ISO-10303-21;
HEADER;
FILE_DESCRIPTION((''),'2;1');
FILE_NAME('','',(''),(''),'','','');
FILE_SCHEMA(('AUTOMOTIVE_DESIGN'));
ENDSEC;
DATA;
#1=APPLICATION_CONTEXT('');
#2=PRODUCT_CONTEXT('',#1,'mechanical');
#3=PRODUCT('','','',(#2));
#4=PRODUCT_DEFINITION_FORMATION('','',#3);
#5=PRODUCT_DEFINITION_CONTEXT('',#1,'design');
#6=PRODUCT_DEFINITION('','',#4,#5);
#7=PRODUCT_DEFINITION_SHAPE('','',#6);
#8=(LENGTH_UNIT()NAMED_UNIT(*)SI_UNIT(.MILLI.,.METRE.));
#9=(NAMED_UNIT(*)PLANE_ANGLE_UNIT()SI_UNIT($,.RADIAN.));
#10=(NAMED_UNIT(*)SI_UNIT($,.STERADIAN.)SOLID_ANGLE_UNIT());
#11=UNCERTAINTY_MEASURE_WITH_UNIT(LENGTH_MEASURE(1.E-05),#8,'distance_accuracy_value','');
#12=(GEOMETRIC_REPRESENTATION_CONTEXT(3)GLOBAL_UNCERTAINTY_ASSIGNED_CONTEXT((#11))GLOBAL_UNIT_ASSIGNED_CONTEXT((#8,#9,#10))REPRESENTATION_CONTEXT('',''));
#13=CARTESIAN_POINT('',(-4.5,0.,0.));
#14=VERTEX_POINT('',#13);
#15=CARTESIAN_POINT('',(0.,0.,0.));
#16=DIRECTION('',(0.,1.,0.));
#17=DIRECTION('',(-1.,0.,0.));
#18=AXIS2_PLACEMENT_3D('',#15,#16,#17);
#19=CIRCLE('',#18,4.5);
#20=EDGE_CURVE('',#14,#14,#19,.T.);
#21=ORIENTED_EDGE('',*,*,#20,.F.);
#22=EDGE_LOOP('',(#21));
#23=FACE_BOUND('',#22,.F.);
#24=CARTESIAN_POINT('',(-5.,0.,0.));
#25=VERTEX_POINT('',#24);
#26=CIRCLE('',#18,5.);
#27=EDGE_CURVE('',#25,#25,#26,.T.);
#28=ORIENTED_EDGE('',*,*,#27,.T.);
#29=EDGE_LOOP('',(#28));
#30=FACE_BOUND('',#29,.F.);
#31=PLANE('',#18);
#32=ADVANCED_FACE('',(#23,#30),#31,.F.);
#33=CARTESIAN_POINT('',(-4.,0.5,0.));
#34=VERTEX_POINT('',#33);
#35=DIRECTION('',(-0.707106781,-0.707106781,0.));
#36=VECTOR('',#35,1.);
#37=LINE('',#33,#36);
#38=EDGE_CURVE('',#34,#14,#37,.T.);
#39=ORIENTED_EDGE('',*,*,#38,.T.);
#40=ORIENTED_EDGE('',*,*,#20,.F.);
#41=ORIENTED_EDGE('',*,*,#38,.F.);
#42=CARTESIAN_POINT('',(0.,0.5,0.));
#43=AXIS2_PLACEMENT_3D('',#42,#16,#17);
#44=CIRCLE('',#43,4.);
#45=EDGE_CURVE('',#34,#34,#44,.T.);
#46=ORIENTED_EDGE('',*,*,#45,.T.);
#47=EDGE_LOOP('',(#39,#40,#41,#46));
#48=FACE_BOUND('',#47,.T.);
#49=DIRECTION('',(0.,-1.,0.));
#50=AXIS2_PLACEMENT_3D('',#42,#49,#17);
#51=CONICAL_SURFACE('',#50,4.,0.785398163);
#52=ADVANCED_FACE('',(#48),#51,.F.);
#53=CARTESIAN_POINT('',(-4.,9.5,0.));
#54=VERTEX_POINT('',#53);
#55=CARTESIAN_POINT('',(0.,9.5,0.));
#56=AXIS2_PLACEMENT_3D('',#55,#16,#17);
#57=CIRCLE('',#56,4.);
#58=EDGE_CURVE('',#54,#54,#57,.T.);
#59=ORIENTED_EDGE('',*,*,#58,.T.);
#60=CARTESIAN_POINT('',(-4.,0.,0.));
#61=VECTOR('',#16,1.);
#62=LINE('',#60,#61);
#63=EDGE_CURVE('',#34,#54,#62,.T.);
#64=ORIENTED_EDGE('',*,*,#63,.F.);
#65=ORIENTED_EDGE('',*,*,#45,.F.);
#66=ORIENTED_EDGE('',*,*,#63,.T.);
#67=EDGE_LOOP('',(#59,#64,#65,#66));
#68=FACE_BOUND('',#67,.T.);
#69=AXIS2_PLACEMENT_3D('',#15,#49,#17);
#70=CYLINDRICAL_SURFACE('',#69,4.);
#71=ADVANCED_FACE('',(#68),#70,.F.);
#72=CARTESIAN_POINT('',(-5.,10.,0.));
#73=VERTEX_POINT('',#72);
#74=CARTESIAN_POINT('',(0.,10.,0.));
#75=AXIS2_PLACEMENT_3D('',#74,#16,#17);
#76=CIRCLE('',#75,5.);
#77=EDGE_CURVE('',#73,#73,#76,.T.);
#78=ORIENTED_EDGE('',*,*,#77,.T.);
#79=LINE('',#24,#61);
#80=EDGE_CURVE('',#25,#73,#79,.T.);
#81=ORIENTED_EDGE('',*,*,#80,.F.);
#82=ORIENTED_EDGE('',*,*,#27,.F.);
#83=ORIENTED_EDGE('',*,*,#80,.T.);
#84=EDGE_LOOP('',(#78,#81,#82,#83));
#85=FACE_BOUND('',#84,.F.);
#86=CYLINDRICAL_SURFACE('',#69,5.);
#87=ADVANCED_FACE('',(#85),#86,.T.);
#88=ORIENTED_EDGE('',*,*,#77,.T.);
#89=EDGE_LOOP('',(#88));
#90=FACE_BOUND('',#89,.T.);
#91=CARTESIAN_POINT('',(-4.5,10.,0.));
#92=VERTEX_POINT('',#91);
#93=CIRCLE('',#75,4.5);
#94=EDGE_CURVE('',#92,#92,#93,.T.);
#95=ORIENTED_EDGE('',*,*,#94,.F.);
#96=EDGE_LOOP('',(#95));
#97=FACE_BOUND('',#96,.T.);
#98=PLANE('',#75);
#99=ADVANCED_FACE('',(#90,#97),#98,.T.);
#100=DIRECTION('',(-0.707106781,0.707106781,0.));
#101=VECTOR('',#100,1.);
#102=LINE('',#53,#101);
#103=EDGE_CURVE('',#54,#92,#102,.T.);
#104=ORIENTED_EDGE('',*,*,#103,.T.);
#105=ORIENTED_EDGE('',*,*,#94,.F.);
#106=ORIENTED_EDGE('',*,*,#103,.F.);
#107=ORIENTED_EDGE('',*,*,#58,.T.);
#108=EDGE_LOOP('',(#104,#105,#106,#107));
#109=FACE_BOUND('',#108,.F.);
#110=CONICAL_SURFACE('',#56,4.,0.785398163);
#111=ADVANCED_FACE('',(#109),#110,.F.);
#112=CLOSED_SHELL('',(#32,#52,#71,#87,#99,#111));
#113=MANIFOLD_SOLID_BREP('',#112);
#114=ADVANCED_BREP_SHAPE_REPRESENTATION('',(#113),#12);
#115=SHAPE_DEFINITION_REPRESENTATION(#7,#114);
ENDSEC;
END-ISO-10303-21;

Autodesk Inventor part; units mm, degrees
ref_plane "YZ Plane" through (0, 0, 0) normal (1, 0, 0) x (0, 1, 0)
ref_plane "XZ Plane" through (0, 0, 0) normal (0, 1, 0) x (-1, 0, 0)
ref_plane "XY Plane" through (0, 0, 0) normal (0, 0, 1) x (1, 0, 0)
sketch "Sketch1" plane through (0, 0, 0) normal (0, 1, 0) x (-1, 0, 0)
  circle A0 centre (0, 0) radius 4
  circle A1 centre (0, 0) radius 5
  dimension "d0" = 8
  dimension "d1" = 10
extrude "Extrusion1" add sketch "Sketch1" along normal blind 10
chamfer "Chamfer1" distance 0.5 angle 45 2 edges at (4, 10, 0) (4, 0, 0)
properties part number "spacer" material "Aluminum 6061-AHC"
